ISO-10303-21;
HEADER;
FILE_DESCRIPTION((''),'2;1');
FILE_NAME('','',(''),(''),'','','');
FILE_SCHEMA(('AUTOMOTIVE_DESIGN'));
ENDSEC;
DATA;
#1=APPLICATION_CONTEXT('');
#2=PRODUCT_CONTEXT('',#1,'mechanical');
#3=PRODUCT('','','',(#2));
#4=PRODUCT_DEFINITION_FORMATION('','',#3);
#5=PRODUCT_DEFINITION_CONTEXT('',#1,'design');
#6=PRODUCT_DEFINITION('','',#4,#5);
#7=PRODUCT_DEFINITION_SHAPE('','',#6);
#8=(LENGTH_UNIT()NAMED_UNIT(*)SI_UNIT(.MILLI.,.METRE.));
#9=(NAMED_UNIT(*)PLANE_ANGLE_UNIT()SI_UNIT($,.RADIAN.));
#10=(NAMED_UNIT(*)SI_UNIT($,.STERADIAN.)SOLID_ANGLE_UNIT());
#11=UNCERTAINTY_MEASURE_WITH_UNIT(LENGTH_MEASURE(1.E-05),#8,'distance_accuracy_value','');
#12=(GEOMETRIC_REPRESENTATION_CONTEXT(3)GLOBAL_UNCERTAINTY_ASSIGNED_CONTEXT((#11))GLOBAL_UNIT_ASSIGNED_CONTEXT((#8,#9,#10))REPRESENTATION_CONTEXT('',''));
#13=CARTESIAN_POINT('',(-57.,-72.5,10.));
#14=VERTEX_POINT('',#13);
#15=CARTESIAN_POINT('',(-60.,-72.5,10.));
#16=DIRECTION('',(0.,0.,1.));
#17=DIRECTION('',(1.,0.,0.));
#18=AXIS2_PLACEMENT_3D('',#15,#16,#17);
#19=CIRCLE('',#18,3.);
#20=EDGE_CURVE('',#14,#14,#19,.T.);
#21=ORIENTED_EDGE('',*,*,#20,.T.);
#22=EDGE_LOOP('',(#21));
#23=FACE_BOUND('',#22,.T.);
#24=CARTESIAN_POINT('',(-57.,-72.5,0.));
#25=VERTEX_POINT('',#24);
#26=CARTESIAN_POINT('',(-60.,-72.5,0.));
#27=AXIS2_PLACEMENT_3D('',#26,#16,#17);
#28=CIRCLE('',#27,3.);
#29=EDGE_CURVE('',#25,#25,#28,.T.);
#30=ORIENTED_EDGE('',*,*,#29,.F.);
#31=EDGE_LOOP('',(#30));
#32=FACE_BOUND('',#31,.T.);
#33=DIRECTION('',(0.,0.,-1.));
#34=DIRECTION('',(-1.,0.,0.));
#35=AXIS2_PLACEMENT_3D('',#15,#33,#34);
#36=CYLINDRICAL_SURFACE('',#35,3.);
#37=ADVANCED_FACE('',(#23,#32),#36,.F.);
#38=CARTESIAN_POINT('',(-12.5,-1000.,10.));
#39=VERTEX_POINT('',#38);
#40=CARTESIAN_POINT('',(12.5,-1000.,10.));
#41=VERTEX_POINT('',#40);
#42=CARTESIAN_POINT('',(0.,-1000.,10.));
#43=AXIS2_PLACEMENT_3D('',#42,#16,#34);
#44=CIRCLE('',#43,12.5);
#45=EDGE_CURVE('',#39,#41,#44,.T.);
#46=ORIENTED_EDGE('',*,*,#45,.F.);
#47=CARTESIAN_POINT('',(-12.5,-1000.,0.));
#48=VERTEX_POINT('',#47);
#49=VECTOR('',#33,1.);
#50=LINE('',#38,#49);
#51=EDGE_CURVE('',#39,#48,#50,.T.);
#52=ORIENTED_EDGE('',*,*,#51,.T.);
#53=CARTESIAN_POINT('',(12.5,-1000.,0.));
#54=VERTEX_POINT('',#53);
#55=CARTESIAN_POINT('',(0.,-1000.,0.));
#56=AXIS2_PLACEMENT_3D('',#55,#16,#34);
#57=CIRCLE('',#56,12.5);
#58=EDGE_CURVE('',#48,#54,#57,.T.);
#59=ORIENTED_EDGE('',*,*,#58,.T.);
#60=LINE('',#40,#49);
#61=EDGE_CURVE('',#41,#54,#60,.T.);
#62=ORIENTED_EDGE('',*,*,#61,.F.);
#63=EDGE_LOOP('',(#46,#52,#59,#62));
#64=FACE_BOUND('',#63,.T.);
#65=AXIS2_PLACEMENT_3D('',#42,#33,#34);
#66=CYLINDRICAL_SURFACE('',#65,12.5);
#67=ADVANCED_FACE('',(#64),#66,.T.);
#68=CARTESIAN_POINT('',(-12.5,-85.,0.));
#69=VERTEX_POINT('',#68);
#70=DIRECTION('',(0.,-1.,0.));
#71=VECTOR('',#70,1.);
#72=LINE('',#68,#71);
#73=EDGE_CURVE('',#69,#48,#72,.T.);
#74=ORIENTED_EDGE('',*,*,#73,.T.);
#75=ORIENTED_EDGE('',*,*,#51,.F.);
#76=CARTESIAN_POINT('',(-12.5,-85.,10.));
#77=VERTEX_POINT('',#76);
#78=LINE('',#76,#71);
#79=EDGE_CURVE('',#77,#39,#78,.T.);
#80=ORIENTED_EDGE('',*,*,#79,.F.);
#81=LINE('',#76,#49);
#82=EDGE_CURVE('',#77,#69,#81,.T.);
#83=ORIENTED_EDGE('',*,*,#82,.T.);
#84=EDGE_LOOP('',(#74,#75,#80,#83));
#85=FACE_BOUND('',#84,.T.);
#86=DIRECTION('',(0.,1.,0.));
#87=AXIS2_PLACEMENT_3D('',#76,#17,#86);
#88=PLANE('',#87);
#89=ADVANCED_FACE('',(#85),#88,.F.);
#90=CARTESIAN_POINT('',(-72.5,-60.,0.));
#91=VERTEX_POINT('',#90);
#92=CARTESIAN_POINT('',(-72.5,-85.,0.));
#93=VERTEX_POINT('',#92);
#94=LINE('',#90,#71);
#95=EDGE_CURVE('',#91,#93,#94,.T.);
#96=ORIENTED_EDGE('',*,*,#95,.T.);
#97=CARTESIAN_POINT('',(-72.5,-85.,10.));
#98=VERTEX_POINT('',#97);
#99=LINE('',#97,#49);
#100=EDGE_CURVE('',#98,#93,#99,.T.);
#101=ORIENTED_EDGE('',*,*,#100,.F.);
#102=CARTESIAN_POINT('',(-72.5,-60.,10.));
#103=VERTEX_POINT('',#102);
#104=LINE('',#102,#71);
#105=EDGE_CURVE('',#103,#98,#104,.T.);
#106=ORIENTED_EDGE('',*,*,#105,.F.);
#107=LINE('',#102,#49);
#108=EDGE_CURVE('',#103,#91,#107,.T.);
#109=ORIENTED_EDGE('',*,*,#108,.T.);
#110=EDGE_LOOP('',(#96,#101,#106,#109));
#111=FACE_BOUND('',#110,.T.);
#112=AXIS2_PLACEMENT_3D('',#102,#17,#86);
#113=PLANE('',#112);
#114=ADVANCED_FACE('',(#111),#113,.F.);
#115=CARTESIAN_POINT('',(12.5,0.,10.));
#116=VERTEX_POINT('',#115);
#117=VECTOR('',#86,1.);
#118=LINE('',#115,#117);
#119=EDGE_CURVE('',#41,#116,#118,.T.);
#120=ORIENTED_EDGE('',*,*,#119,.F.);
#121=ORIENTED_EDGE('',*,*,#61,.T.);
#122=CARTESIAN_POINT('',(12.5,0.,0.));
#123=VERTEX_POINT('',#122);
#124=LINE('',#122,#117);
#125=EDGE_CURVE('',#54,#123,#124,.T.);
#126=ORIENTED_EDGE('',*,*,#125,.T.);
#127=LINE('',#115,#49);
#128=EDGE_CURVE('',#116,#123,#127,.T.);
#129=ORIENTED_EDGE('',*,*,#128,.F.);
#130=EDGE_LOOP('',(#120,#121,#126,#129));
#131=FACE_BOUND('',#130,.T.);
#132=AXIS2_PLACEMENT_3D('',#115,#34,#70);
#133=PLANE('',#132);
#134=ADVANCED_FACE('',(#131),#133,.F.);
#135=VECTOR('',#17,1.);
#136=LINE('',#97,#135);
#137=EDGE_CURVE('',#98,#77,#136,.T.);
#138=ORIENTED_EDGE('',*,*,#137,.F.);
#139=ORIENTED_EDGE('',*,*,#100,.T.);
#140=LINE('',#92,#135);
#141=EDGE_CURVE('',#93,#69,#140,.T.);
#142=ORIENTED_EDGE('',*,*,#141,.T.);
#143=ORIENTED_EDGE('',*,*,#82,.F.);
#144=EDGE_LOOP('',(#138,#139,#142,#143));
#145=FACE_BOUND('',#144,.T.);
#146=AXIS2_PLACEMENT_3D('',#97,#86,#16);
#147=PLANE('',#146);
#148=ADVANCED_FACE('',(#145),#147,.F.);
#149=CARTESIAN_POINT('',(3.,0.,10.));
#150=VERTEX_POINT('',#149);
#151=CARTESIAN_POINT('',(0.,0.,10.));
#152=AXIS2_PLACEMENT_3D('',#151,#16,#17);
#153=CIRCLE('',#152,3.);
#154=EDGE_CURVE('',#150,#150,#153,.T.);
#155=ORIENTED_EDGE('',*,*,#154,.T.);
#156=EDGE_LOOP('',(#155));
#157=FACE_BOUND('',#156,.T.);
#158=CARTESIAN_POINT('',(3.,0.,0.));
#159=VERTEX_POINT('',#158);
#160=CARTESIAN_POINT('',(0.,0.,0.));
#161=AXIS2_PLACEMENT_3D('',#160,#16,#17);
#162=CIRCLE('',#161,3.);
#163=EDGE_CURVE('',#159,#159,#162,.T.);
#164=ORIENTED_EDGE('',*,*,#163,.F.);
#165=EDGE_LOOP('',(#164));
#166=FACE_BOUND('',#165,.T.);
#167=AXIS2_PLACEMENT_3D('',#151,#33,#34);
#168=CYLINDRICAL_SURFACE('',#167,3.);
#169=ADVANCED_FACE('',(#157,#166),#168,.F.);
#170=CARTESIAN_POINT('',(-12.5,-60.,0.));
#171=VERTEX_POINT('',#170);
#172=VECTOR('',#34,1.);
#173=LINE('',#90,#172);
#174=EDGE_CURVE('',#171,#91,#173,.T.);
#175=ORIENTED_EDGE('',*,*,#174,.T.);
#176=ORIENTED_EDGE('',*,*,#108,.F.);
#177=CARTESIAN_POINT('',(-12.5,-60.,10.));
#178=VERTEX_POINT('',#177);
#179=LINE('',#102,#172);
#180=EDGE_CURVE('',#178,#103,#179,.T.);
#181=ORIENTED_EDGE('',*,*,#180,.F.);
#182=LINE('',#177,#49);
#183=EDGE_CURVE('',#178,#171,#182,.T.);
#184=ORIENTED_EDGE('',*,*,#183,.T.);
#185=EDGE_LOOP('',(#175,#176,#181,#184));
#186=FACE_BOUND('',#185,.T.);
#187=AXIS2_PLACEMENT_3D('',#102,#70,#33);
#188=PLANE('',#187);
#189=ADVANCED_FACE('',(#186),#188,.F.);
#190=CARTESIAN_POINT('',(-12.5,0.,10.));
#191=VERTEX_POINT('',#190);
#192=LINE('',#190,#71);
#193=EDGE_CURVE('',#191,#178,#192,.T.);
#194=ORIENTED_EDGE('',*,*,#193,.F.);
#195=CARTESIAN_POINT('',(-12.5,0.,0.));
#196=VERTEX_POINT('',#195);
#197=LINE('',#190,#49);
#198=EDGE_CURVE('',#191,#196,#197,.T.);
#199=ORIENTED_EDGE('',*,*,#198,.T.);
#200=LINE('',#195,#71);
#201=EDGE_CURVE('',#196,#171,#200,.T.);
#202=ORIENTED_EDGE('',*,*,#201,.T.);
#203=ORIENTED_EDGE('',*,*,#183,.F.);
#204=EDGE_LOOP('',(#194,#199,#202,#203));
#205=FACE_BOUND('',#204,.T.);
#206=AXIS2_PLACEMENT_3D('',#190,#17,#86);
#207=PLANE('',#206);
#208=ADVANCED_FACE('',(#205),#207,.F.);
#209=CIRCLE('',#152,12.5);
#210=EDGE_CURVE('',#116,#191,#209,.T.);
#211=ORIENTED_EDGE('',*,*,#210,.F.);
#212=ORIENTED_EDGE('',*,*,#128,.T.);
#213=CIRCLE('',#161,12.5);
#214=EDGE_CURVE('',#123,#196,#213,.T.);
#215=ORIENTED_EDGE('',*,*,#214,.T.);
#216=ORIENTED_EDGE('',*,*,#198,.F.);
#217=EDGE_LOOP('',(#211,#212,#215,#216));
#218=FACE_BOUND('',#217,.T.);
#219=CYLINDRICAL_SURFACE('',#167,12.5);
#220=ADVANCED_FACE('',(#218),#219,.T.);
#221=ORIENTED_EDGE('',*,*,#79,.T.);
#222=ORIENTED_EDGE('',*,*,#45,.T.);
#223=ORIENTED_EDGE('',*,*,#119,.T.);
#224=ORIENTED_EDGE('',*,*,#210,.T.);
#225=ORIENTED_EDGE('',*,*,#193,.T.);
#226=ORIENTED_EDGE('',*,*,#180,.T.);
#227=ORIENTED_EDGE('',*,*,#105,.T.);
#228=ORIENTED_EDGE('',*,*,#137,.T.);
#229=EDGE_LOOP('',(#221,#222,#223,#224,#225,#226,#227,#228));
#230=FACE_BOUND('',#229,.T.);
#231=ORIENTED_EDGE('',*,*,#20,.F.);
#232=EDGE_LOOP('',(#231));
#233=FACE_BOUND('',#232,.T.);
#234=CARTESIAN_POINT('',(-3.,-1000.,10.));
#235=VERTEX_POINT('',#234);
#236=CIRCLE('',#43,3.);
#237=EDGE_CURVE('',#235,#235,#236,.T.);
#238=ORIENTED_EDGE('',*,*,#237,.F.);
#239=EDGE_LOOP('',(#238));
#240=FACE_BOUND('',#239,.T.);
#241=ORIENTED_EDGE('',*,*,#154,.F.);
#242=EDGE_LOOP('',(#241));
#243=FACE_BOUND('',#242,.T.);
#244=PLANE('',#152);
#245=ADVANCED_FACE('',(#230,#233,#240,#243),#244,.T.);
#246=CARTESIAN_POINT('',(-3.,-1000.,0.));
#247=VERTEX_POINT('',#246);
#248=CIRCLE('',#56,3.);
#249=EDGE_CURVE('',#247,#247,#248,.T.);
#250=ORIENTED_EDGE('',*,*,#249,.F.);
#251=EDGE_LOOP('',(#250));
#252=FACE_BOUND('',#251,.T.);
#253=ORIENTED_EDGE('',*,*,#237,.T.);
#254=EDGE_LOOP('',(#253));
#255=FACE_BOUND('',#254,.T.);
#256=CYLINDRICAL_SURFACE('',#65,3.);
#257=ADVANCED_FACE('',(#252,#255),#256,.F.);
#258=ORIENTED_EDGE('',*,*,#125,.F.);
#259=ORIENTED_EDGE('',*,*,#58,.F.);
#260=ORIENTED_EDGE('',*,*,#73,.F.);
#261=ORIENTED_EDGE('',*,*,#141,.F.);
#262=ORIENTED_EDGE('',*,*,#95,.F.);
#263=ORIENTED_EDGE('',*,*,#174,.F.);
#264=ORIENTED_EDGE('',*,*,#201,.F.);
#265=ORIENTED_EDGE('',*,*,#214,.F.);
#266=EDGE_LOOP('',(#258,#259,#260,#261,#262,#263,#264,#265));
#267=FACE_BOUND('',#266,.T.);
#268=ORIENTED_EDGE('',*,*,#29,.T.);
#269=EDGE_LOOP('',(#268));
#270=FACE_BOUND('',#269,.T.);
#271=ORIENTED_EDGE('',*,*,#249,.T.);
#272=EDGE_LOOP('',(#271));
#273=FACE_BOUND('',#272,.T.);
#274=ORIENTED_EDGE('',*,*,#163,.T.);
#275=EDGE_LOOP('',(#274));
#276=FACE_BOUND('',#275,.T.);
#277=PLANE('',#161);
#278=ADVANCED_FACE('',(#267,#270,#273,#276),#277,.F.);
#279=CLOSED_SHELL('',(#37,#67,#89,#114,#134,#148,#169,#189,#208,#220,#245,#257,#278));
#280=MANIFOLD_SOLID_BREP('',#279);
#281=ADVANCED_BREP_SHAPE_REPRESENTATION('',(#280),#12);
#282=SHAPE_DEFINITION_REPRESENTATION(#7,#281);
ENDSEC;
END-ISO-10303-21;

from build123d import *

# Parameters (mm, degrees)
SKETCH1_R           = 3
BOSS_EXTRUDE1_DEPTH = 10


with BuildPart() as part:
    # Sketch1 → Boss-Extrude1 (new body)
    with BuildSketch(Plane.XY):
        with BuildLine():
            Line((-12.5, 0), (-12.5, -60))
            Line((-12.5, -60), (-72.5, -60))
            Line((-72.5, -60), (-72.5, -85))
            Line((-72.5, -85), (-12.5, -85))
            Line((-12.5, -85), (-12.5, -1000))
            ThreePointArc((-12.5, -1000), (0, -1012.5), (12.5, -1000))
            Line((12.5, -1000), (12.5, 0))
            ThreePointArc((12.5, 0), (0, 12.5), (-12.5, 0))
        make_face()
        Circle(SKETCH1_R, mode=Mode.SUBTRACT)
        with Locations(Location((0, -1000, 0), (0, 0, 180))):
            Circle(SKETCH1_R, mode=Mode.SUBTRACT)
        with Locations((-60, -72.5)):
            Circle(SKETCH1_R, mode=Mode.SUBTRACT)
    extrude(amount=BOSS_EXTRUDE1_DEPTH)


solid = part.part
